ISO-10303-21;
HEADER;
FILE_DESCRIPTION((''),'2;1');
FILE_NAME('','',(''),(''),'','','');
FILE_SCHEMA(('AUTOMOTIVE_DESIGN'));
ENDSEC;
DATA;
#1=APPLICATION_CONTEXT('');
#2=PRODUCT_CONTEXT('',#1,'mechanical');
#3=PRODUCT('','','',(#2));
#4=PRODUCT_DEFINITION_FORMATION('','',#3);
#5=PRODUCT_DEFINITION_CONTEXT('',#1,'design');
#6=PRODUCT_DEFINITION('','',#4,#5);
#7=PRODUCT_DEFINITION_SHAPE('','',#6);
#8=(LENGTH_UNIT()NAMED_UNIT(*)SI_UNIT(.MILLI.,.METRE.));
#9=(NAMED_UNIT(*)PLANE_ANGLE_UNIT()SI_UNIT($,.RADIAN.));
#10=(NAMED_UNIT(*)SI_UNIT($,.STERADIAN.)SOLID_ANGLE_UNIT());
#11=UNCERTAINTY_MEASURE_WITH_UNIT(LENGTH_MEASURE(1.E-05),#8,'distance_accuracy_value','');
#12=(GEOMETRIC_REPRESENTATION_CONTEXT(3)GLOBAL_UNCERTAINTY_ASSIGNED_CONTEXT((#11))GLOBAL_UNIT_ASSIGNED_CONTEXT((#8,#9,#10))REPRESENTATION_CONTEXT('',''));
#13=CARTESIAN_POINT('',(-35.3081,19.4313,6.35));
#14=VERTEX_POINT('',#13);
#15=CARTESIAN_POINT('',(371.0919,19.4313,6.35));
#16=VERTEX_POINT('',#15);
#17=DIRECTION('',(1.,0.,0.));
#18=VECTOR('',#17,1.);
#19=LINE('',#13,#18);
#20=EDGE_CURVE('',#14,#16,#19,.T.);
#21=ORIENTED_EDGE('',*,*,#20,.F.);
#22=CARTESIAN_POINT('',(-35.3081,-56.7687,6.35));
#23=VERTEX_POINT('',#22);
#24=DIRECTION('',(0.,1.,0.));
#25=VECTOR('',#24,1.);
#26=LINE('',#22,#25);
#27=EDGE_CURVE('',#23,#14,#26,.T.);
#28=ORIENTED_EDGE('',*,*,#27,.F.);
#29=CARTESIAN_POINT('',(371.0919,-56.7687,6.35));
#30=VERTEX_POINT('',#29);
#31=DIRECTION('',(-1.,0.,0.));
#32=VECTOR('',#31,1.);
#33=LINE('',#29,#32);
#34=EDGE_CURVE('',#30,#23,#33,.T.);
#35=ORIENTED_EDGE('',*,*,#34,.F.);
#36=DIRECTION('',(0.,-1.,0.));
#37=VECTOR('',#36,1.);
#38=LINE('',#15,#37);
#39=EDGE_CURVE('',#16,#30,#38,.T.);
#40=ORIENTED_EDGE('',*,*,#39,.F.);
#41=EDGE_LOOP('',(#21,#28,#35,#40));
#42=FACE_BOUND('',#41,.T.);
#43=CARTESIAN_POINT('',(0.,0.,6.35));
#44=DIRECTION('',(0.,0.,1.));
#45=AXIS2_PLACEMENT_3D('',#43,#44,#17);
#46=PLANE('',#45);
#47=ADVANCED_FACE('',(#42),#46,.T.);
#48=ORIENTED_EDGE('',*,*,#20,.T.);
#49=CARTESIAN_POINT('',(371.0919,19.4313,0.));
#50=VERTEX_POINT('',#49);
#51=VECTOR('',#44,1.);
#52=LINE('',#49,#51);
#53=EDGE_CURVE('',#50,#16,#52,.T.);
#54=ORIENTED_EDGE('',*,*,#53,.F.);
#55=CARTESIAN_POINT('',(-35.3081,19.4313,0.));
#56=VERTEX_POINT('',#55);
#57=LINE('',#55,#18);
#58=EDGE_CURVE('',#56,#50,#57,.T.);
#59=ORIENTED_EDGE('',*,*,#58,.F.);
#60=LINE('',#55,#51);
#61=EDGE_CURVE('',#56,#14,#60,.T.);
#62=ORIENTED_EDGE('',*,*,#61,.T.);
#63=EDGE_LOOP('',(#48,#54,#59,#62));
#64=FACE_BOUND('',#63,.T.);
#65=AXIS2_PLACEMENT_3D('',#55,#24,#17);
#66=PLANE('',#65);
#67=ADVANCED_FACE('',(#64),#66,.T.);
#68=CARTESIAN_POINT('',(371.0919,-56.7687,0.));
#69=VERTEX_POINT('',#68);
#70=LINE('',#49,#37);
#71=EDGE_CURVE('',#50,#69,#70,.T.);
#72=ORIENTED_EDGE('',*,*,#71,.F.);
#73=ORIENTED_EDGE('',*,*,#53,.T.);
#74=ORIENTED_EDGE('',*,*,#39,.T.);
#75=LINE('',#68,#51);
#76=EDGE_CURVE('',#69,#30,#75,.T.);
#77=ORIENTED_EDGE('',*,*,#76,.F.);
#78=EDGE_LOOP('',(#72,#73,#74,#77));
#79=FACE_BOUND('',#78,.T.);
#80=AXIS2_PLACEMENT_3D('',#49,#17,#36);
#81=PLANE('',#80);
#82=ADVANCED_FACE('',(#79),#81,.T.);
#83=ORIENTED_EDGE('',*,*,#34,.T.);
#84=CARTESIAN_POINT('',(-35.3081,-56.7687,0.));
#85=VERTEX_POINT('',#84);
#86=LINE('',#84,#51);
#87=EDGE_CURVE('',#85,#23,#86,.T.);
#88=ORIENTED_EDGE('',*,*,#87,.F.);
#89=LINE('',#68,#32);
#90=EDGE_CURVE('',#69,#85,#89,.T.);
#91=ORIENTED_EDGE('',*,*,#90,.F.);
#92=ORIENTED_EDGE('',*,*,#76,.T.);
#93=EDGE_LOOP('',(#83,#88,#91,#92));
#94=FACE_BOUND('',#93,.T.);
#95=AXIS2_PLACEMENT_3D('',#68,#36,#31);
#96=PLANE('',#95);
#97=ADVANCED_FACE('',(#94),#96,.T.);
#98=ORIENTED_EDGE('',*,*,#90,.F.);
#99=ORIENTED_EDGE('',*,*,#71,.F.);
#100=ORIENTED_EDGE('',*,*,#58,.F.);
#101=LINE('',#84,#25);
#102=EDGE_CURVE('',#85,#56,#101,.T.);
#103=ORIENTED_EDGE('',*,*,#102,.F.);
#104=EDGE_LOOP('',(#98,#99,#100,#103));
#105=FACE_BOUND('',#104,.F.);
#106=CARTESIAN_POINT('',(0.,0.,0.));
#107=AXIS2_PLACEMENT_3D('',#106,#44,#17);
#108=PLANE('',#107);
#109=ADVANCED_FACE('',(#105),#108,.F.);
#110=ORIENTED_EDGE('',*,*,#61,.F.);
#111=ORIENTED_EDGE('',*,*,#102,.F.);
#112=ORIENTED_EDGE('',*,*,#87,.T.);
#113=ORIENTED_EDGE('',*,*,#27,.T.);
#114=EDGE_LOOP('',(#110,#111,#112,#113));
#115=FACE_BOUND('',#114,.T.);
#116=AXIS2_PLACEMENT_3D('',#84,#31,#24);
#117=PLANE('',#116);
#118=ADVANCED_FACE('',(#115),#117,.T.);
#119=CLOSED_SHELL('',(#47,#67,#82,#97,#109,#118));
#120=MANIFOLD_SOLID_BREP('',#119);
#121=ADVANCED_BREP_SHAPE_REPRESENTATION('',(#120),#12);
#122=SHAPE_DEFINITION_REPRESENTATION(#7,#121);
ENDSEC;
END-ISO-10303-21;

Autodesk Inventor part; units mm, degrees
ref_plane "YZ Plane" through (0, 0, 0) normal (1, 0, 0) x (0, 1, 0)
ref_plane "XZ Plane" through (0, 0, 0) normal (0, 1, 0) x (-1, 0, 0)
sketch "Sketch1" plane through (0, 0, 0) normal (0, 0, 1) x (1, 0, 0)
  line L0 (-35.3081, 19.4313) -> (371.0919, 19.4313)
  line L1 (371.0919, 19.4313) -> (371.0919, -56.7687)
  line L2 (371.0919, -56.7687) -> (-35.3081, -56.7687)
  line L3 (-35.3081, -56.7687) -> (-35.3081, 19.4313)
  dimension "d0" = 406.4
  dimension "d1" = 76.2
extrude "Extrusion1" add sketch "Sketch1" along normal blind 6.35
ref_plane "Work Plane2" through (-35.3081, -18.6687, 0) normal (0, 1, 0) x (1, 0, 0)
equation "\"d5\" = -0.5 * d1"
properties part number "FE-00002-07"
